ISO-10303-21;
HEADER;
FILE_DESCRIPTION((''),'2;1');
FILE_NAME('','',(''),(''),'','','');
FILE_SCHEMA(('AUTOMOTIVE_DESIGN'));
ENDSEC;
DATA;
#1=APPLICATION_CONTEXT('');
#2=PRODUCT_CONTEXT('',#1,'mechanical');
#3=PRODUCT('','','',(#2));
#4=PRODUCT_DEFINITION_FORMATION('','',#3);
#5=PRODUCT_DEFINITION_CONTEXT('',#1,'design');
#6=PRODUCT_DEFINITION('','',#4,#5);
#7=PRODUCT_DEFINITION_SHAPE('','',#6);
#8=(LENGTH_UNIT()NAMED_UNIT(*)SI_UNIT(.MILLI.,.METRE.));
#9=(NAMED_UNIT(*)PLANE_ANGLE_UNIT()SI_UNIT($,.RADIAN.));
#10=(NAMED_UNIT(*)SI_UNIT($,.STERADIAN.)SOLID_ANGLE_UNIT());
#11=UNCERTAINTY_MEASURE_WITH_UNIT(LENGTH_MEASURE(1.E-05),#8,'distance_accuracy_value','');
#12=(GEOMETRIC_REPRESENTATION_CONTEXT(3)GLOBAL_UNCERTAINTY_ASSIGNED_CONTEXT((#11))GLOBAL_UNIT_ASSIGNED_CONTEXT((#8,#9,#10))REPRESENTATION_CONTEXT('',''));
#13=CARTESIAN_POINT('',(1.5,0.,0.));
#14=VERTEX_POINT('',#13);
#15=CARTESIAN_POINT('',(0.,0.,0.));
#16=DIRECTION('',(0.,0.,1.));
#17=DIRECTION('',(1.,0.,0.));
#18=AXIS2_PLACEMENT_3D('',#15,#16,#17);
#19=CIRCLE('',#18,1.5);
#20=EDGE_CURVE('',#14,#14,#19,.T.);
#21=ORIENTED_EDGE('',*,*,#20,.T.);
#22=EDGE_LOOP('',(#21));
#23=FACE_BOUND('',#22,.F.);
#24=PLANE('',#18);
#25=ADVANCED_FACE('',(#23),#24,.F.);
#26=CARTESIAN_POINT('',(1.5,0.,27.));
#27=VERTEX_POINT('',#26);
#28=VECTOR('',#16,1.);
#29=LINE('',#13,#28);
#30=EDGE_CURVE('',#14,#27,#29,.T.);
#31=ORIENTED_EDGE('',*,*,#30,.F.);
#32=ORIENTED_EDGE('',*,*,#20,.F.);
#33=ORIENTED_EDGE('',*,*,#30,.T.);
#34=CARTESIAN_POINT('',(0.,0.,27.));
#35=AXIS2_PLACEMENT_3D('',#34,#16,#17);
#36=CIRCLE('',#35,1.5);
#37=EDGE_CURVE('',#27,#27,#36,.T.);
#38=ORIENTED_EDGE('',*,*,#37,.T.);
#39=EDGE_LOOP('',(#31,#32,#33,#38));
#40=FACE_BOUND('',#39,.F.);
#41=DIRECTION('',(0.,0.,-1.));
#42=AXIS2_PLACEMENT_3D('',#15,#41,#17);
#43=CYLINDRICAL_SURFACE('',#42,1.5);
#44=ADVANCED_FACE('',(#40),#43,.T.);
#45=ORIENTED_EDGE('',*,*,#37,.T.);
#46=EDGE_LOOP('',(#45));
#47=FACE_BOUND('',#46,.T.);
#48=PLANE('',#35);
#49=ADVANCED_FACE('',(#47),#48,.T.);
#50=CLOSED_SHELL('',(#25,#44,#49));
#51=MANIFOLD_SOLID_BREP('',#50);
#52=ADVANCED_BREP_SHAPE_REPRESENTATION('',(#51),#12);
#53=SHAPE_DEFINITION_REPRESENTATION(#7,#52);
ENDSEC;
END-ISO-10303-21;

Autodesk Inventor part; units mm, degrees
ref_plane "YZ Plane" through (0, 0, 0) normal (1, 0, 0) x (0, 1, 0)
ref_plane "XZ Plane" through (0, 0, 0) normal (0, 1, 0) x (-1, 0, 0)
ref_plane "XY Plane" through (0, 0, 0) normal (0, 0, 1) x (1, 0, 0)
sketch "Sketch2" plane through (0, 0, 0) normal (0, 0, 1) x (1, 0, 0)
  circle A0 centre (0, 0) radius 1.5
  dimension "d0" = 3
extrude "Extrusion1" add sketch "Sketch2" along normal blind 27
sketch "Sketch3" plane through (0, 0, 27) normal (0, 0, 1) x (1, 0, 0)
  point P0 (0, 0)
properties part number "Verin" material "Steel"
